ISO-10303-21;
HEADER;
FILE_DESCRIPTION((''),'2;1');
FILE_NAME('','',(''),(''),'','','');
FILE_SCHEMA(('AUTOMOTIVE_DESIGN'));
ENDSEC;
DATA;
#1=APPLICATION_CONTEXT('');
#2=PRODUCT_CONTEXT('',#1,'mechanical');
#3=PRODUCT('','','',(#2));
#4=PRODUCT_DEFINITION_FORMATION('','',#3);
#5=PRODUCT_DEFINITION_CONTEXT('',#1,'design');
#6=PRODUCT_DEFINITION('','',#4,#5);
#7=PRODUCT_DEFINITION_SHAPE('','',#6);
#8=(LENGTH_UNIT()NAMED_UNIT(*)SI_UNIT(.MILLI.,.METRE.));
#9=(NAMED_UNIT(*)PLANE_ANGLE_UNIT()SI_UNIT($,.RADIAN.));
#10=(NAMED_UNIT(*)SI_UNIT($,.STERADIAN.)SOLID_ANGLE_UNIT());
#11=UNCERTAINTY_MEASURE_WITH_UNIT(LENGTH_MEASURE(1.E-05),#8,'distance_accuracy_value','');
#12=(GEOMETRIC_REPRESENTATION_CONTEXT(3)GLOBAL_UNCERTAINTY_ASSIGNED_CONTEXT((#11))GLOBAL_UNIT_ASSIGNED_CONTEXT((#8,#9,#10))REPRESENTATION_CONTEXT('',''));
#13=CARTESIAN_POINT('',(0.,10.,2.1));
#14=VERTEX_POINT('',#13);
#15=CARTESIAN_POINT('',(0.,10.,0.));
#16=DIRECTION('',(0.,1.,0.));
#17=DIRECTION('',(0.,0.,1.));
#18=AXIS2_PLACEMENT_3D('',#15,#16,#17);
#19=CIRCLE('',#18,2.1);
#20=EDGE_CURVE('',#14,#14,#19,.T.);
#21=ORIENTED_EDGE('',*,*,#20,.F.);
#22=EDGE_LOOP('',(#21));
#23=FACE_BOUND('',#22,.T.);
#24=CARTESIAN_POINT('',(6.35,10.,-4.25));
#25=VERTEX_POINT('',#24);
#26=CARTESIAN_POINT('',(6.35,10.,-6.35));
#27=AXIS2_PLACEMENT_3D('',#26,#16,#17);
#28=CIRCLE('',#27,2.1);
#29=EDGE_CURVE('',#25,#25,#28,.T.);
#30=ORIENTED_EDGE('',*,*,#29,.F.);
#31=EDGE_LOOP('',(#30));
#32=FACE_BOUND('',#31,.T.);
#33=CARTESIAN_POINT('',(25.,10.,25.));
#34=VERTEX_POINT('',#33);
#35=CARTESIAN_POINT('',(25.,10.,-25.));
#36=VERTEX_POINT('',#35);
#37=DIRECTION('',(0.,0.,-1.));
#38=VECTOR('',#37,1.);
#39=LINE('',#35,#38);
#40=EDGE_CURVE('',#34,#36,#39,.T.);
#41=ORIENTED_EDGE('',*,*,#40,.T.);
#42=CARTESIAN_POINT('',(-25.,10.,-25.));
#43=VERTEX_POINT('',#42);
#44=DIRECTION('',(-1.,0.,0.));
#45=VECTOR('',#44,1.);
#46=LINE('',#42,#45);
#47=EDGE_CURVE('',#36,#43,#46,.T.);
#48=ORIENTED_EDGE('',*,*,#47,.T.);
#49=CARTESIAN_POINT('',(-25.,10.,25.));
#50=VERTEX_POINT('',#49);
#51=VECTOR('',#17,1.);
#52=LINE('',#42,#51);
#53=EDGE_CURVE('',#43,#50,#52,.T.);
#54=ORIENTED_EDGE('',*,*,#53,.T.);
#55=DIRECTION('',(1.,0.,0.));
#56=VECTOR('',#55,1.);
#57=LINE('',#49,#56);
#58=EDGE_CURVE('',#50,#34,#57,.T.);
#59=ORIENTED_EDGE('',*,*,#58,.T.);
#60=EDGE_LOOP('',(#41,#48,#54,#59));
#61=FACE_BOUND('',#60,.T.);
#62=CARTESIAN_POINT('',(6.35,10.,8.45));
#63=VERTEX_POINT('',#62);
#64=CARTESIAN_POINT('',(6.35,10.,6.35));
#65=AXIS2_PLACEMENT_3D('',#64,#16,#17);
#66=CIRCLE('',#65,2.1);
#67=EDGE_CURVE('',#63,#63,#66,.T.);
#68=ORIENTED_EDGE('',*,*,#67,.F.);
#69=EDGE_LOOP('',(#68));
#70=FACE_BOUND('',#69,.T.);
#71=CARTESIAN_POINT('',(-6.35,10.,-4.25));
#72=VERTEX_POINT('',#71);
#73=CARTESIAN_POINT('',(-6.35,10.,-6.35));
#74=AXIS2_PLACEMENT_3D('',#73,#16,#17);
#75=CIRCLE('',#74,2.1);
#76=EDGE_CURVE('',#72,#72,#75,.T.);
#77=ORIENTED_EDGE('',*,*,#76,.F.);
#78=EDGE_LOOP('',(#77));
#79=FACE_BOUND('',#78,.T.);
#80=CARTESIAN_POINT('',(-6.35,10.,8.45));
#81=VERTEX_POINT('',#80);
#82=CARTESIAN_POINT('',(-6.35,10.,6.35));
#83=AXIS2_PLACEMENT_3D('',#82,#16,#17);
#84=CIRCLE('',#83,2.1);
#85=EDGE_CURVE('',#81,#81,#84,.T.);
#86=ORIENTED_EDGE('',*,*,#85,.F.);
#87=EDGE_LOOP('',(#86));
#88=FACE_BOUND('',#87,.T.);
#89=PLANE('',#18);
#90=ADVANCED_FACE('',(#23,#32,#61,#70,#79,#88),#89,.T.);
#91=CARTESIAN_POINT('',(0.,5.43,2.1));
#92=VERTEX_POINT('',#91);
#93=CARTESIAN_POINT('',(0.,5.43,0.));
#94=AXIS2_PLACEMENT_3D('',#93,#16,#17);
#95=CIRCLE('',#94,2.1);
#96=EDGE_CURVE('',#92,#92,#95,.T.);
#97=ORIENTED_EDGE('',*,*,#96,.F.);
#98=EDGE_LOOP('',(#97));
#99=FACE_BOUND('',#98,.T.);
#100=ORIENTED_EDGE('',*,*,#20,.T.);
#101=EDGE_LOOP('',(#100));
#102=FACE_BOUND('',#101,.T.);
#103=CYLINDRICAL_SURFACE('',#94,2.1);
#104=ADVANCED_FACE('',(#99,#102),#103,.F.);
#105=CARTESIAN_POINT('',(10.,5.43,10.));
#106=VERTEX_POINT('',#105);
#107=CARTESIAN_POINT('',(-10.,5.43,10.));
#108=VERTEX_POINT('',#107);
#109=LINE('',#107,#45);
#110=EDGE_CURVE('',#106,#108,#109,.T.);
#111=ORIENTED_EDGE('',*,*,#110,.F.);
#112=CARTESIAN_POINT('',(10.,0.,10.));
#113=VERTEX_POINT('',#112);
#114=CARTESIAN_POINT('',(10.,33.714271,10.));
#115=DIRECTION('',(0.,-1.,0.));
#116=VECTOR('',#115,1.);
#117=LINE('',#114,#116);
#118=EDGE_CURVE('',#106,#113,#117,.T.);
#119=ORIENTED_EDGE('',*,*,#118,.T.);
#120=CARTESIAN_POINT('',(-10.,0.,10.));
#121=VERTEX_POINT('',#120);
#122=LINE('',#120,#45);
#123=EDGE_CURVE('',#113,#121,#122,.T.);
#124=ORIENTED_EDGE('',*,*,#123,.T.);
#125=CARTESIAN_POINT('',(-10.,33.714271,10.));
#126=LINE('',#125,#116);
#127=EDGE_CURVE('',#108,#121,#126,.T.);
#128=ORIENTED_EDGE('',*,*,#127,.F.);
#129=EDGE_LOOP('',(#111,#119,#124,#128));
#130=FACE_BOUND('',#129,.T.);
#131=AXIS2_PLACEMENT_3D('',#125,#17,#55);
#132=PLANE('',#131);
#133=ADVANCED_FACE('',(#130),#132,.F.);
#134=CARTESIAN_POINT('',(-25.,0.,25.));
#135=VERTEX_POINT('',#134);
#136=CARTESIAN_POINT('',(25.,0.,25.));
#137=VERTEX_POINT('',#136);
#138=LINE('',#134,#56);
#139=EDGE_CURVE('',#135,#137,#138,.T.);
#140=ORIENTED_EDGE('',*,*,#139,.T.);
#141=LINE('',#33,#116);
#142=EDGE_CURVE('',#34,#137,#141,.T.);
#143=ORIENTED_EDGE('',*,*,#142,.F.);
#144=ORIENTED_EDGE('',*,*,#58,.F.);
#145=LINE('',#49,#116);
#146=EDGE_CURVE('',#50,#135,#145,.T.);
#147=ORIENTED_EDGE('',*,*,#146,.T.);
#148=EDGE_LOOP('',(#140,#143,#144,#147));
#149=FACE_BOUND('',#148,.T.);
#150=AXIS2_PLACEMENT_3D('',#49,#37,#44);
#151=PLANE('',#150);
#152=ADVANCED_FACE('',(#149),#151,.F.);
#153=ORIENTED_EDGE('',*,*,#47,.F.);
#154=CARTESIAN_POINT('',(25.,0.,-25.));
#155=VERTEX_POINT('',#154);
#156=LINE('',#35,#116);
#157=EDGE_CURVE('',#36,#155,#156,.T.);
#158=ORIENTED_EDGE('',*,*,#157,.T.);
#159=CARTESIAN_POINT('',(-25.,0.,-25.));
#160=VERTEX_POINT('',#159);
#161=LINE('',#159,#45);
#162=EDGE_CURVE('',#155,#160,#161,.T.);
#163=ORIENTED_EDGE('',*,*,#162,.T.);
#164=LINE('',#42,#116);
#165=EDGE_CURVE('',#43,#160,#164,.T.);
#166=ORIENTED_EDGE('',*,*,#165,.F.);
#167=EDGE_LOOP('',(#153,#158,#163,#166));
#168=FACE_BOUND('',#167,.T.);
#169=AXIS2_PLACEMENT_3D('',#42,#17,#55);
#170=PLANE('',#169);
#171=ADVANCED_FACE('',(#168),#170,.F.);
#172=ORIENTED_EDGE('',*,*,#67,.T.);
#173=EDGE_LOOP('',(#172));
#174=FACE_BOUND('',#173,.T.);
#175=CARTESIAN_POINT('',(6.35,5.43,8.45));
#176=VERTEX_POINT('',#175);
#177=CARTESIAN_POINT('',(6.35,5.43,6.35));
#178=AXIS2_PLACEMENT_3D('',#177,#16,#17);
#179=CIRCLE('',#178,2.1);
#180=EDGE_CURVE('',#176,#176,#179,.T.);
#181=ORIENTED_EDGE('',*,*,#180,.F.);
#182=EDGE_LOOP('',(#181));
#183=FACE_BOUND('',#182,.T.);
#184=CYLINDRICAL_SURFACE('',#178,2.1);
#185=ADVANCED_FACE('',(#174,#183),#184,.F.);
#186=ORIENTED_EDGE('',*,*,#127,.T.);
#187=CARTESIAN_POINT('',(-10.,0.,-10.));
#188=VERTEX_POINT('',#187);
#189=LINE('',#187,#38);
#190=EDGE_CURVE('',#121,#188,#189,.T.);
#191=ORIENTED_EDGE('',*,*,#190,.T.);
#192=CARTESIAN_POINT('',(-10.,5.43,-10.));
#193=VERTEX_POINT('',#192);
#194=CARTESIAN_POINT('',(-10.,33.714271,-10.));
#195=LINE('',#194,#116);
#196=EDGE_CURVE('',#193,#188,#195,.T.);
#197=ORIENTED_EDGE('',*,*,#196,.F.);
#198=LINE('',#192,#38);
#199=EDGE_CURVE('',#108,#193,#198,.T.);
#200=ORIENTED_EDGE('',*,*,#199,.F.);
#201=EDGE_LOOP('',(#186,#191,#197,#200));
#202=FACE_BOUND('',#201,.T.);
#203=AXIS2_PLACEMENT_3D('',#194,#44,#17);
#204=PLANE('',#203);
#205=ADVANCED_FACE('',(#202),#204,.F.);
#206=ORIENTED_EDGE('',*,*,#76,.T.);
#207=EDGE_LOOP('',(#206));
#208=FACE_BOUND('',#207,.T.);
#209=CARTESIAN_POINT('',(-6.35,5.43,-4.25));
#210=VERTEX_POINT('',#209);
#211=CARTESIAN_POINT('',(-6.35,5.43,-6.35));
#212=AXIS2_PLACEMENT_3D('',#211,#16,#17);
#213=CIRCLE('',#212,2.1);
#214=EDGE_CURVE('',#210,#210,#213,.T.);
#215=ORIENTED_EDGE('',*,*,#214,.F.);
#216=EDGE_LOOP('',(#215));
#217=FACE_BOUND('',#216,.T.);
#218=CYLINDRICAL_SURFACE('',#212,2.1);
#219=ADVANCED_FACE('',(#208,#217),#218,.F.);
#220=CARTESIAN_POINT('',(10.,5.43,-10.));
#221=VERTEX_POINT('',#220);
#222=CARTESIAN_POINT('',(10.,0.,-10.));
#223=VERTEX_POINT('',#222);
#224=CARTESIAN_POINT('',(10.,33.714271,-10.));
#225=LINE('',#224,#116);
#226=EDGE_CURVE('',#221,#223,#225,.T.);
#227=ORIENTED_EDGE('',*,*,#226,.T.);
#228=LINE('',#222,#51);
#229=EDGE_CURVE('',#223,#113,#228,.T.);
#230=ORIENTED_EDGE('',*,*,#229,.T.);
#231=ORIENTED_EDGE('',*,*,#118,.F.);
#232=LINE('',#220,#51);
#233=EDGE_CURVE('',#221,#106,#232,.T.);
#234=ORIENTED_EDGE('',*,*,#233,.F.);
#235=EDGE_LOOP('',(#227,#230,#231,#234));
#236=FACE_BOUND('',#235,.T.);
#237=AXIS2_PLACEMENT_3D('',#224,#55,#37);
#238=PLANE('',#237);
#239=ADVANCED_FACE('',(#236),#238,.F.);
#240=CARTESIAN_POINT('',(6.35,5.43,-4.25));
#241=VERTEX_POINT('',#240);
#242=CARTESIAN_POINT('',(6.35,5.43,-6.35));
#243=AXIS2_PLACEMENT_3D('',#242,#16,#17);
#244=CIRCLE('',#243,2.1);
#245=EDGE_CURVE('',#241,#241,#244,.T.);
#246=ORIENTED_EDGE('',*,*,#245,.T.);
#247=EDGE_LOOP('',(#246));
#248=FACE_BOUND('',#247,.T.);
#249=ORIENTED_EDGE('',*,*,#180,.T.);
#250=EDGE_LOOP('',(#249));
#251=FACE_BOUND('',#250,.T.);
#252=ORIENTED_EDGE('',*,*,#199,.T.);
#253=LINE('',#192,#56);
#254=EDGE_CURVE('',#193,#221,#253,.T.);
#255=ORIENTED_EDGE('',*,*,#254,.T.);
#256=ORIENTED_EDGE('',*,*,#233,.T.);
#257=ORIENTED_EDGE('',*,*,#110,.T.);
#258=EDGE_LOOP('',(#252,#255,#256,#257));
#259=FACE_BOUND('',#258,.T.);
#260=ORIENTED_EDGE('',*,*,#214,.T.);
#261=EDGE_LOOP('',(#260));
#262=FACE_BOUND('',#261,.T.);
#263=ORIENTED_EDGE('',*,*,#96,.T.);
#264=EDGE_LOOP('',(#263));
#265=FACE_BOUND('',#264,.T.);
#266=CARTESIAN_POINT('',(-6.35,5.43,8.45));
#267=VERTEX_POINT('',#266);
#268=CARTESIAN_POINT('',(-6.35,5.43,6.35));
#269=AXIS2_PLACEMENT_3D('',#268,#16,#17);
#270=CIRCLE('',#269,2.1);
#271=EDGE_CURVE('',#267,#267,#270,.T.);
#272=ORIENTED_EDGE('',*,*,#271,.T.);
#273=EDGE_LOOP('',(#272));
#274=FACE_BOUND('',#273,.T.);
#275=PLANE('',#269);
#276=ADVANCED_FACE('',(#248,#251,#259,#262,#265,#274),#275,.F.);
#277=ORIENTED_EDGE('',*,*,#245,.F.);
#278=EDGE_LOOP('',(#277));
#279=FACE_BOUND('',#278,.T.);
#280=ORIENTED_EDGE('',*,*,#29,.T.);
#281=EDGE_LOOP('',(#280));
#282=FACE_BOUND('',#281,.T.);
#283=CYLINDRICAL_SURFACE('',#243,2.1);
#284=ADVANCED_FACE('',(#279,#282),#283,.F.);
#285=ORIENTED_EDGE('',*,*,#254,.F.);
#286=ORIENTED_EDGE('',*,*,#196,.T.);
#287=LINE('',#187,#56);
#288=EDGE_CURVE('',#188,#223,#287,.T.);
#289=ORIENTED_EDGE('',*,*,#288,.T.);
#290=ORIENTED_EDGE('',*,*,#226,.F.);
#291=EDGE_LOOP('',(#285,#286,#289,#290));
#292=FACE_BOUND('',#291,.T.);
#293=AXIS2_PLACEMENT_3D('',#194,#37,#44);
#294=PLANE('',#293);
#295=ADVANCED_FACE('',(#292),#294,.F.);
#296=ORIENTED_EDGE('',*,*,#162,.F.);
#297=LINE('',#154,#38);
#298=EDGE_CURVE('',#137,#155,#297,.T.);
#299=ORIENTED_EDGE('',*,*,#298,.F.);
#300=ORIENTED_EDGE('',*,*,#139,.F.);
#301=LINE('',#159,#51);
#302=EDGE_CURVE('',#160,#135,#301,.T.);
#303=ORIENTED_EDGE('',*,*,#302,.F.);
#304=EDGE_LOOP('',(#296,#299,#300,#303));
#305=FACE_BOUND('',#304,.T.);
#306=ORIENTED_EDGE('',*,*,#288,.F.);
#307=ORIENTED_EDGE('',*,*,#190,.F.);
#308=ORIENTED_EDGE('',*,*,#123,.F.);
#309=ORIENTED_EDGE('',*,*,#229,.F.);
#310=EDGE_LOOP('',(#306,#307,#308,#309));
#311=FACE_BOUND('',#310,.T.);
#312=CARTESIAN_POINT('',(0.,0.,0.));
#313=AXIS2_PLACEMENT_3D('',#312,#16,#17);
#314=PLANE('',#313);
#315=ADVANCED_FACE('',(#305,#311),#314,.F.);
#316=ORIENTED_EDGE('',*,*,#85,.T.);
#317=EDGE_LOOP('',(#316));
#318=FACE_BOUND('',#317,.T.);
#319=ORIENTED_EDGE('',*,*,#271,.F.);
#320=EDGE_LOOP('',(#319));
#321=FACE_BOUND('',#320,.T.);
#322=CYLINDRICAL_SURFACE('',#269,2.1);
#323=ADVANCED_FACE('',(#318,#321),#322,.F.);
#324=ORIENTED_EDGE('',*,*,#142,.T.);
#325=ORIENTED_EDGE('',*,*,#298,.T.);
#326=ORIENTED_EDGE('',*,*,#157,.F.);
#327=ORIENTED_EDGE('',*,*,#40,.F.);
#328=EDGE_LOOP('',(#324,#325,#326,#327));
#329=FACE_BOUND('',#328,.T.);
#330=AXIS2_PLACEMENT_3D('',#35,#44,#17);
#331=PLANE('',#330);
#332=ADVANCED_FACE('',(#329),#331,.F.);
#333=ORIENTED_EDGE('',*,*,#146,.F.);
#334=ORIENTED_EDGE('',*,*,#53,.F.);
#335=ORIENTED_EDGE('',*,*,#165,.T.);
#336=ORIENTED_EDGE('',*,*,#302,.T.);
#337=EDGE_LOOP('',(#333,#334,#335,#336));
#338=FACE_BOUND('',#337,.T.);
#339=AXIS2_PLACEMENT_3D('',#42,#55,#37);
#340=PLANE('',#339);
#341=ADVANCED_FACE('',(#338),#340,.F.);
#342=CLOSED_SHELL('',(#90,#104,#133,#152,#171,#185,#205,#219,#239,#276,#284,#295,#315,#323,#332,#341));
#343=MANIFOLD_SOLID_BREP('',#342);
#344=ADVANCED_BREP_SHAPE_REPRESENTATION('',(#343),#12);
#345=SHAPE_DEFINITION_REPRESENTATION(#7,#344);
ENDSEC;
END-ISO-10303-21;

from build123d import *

# Parameters (mm, degrees)
SKETCH2_W           = 50
SKETCH2_H           = 50
BOSS_EXTRUDE1_DEPTH = 10
SKETCH4_R           = 2.1
CUT_EXTRUDE1_DEPTH  = 4.57
SKETCH5_W           = 20
SKETCH5_H           = 20
CUT_EXTRUDE2_DEPTH  = 5.43


with BuildPart() as part:
    # Sketch2 → Boss-Extrude1 (new body)
    with BuildSketch(Plane(origin=(0, 0, 0), x_dir=(1, 0, 0), z_dir=(0, 1, 0))):
        Rectangle(SKETCH2_W, SKETCH2_H)
    extrude(amount=BOSS_EXTRUDE1_DEPTH)

    # Sketch4 → Cut-Extrude1 (cut)
    with BuildSketch(Plane(origin=(0, 10, 0), x_dir=(1, 0, 0), z_dir=(0, 1, 0))):
        Circle(SKETCH4_R)
        with Locations((6.35, 6.35)):
            Circle(SKETCH4_R)
        with Locations((-6.35, 6.35)):
            Circle(SKETCH4_R)
        with Locations((-6.35, -6.35)):
            Circle(SKETCH4_R)
        with Locations((6.35, -6.35)):
            Circle(SKETCH4_R)
    extrude(amount=-CUT_EXTRUDE1_DEPTH, mode=Mode.SUBTRACT)

    # Sketch5 → Cut-Extrude2 (cut)
    with BuildSketch(Plane.XZ):
        Rectangle(SKETCH5_W, SKETCH5_H)
    extrude(amount=-CUT_EXTRUDE2_DEPTH, mode=Mode.SUBTRACT)


solid = part.part
